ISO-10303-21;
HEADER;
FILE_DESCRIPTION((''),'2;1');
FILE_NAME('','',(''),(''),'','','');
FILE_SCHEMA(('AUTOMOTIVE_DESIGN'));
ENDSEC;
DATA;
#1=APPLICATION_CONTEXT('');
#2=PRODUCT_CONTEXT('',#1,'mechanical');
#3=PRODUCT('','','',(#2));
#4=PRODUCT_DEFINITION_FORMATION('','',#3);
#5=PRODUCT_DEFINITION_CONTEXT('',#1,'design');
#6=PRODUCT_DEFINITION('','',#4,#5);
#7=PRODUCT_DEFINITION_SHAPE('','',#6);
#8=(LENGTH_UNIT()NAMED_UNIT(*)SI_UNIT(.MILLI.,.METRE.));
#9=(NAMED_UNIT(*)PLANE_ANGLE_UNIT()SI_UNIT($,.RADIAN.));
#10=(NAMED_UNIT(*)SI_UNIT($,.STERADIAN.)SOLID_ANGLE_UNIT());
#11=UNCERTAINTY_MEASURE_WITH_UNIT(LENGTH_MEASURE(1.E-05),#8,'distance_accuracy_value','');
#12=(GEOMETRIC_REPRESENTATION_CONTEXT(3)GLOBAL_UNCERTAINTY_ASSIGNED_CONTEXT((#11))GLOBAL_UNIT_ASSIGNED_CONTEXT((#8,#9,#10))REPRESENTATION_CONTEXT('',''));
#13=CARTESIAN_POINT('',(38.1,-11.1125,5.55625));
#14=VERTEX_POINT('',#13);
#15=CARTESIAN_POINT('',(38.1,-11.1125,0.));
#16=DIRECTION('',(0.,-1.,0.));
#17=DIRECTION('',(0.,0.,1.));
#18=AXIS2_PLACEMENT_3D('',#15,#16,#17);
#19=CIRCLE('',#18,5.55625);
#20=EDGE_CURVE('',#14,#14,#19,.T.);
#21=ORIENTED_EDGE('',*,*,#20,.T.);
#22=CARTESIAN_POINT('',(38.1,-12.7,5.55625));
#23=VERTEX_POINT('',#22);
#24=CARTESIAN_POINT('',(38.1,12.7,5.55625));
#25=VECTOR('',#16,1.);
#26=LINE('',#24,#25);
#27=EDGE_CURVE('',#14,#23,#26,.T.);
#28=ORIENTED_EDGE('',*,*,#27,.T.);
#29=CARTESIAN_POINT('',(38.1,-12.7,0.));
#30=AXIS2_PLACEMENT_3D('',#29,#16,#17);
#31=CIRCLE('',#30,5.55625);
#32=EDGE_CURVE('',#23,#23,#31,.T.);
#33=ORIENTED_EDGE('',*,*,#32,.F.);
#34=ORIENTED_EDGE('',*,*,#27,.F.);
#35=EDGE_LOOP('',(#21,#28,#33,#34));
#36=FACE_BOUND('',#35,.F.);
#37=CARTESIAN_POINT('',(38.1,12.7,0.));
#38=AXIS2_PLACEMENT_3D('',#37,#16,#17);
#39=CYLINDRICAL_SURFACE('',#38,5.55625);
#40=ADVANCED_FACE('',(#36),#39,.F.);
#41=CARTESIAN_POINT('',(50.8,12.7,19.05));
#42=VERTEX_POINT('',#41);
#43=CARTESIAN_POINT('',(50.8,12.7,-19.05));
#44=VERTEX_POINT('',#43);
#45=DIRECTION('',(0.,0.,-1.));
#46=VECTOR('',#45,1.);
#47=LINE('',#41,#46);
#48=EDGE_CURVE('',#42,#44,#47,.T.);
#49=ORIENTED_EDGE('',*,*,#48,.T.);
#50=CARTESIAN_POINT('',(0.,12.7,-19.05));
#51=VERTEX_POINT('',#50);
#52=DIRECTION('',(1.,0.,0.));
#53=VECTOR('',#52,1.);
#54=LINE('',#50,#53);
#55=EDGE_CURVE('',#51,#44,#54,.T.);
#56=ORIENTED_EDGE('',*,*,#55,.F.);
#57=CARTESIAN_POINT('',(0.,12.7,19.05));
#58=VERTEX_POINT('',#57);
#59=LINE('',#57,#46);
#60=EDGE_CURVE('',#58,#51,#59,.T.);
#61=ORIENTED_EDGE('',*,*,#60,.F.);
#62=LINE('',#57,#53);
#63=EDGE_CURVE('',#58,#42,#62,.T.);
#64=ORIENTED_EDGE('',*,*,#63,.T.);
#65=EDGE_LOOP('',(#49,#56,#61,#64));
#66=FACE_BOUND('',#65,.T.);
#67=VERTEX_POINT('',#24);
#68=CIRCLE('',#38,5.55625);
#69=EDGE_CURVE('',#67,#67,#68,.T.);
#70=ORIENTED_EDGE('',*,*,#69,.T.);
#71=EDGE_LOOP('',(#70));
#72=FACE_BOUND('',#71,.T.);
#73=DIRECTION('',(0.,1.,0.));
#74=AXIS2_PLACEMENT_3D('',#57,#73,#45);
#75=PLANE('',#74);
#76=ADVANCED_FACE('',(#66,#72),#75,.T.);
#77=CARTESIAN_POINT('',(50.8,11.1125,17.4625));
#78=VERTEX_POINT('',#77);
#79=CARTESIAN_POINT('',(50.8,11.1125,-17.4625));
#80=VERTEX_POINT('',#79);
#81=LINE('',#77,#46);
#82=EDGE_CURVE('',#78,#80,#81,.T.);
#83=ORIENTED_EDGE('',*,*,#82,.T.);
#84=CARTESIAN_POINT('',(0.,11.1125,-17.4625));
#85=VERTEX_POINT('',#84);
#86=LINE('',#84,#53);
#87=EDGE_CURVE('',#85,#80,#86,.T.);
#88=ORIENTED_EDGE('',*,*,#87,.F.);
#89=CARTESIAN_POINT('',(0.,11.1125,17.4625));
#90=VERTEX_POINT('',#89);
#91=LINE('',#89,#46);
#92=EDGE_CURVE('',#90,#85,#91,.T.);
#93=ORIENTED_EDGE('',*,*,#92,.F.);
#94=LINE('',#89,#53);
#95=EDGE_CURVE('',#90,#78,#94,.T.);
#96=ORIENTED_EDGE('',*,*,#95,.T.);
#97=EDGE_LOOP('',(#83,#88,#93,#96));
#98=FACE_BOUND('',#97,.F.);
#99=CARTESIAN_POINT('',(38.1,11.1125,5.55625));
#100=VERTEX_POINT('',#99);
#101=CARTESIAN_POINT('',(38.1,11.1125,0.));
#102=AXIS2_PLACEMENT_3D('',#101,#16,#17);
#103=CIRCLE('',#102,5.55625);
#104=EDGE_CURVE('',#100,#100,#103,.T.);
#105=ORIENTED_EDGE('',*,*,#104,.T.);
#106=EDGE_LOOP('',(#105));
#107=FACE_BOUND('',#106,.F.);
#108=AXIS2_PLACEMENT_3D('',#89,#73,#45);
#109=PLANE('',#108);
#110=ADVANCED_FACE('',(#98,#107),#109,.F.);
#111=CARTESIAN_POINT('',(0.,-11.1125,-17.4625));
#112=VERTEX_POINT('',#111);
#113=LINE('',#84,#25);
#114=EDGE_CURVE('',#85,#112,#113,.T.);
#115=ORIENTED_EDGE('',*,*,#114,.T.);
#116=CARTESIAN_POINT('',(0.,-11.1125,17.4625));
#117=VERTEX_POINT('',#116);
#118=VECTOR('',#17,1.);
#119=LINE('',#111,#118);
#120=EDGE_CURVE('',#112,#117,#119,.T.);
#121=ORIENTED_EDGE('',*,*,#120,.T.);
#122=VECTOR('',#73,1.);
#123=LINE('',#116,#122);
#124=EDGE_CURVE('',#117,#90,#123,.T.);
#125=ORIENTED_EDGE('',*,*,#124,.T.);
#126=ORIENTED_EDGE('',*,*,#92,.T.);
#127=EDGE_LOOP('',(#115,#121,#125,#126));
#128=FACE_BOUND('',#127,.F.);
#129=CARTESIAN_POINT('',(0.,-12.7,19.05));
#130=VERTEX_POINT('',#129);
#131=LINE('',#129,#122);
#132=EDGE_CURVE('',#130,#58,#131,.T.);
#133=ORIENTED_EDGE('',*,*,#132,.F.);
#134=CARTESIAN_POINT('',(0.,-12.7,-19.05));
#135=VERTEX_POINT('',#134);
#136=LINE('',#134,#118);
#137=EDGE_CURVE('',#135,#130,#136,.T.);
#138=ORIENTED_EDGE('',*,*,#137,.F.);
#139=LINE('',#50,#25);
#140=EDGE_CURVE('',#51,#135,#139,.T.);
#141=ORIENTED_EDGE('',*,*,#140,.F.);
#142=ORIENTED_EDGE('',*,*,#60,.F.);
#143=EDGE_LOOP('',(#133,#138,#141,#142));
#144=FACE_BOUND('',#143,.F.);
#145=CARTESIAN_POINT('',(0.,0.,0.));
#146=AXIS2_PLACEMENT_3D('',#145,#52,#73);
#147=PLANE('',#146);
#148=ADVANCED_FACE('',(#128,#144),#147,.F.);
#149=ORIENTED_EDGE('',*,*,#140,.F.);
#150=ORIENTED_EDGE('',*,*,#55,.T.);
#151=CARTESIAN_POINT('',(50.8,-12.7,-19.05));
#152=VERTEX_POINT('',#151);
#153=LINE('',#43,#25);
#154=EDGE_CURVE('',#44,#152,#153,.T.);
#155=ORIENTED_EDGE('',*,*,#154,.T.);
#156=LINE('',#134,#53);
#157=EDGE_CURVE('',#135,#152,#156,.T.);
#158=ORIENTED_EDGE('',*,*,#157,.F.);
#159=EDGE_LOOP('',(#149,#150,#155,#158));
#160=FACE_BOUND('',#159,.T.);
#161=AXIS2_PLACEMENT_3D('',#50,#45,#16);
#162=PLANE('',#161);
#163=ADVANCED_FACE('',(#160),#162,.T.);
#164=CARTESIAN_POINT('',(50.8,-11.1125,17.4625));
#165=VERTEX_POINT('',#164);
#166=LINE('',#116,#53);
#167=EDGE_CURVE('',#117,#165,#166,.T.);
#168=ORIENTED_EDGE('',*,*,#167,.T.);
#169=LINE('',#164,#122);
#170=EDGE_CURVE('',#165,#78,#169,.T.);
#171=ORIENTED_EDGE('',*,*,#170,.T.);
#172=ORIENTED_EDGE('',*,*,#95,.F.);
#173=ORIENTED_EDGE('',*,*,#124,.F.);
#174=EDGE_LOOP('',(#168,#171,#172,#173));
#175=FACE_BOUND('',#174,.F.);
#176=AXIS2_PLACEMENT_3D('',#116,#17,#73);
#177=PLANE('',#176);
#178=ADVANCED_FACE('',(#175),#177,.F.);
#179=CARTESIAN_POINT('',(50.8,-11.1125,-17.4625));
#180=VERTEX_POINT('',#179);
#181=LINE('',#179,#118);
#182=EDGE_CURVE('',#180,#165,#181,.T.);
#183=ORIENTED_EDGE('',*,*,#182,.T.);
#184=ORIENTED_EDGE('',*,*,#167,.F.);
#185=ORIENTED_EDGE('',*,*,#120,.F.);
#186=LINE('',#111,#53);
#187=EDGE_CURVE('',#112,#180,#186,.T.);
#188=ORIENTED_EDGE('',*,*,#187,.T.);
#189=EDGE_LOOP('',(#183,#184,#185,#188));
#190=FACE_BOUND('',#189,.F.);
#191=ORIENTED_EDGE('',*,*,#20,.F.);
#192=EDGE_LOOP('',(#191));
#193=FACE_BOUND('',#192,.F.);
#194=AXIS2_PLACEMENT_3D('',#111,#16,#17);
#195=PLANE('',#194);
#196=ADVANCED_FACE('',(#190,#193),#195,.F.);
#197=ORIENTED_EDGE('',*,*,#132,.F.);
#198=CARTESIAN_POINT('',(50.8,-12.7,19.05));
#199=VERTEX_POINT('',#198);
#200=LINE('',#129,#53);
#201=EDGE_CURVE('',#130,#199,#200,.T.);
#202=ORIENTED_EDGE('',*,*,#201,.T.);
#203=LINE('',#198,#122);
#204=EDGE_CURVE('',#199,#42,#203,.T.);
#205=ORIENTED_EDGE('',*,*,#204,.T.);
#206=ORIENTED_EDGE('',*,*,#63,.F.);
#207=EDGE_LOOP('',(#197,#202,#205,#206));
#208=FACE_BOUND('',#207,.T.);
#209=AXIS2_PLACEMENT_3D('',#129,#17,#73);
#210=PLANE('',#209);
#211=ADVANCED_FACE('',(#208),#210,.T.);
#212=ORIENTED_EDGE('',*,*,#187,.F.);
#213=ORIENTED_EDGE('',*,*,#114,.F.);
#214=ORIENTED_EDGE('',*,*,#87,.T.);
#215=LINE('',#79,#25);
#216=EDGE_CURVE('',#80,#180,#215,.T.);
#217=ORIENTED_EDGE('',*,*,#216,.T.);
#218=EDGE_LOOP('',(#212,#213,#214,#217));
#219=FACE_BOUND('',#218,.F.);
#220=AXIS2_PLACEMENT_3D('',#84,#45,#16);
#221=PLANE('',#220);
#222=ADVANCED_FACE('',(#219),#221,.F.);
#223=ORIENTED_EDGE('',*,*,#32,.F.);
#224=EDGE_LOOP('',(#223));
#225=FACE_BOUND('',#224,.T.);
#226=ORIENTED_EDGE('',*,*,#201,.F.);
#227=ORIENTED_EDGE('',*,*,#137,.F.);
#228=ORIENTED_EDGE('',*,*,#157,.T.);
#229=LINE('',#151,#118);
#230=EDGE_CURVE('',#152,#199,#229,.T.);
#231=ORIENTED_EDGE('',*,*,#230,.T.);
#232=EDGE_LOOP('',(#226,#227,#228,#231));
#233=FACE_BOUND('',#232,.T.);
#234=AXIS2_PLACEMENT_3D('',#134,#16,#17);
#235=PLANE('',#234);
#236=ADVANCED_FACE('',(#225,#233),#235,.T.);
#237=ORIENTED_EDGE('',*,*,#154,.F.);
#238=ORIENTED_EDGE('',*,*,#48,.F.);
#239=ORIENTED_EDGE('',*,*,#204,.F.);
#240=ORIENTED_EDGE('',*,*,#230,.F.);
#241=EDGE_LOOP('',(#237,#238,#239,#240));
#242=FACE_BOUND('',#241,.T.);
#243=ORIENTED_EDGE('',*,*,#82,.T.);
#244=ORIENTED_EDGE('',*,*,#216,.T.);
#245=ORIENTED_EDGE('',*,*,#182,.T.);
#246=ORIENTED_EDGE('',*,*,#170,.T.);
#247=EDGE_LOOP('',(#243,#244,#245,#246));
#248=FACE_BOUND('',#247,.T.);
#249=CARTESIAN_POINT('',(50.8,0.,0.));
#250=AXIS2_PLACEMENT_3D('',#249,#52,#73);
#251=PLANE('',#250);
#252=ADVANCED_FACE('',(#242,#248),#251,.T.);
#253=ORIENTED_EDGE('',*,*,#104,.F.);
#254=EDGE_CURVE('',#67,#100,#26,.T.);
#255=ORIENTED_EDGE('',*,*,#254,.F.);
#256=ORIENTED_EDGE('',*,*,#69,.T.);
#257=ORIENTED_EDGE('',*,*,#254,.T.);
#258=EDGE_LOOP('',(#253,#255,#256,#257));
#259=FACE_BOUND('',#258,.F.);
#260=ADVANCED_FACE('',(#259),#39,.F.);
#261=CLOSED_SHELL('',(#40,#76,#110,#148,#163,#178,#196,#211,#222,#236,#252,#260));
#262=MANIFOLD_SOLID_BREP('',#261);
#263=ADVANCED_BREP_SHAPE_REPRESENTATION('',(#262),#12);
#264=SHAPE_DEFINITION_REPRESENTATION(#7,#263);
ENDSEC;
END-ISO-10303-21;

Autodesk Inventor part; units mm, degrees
ref_plane "Work Plane3" through (0, 12.7, 0) normal (0, 1, 0) x (-1, 0, 0)
ref_plane "Start Plane" through (0, 0, 0) normal (1, 0, 0) x (0, 1, 0)
ref_plane "End Plane" through (50.8, 0, 0) normal (1, 0, 0) x (0, 1, 0)
sketch "Sketch" plane through (0, 0, 0) normal (1, 0, 0) x (0, 1, 0)
  line L0 (-12.7, 19.05) -> (12.7, 19.05)
  line L1 (12.7, 19.05) -> (12.7, -19.05)
  line L2 (12.7, -19.05) -> (-12.7, -19.05)
  line L3 (-12.7, -19.05) -> (-12.7, 19.05)
  line L4 (-12.7, 19.05) -> (12.7, -19.05) construction
  line L5 (12.7, 19.05) -> (-12.7, -19.05) construction
  line L6 (-11.1125, 17.4625) -> (11.1125, 17.4625)
  line L7 (11.1125, 17.4625) -> (11.1125, -17.4625)
  line L8 (11.1125, -17.4625) -> (-11.1125, -17.4625)
  line L9 (-11.1125, -17.4625) -> (-11.1125, 17.4625)
  line L10 (-11.1125, 17.4625) -> (11.1125, -17.4625) construction
  line L11 (11.1125, 17.4625) -> (-11.1125, -17.4625) construction
  point P0 (0, 0)
  dimension "d0" = 38.1
  dimension "d1" = 25.4
  dimension "d2" = 1.5875
  dimension "d3" = 1.5875
extrude "Body" add sketch "Sketch" along normal up to surface (50.8 mm away) from surface at 0
sketch "Sketch8" plane through (0, 0, 0) normal (1, 0, 0) x (0, 1, 0)
  line L0 (0, 0) -> (10, 0)
ref_plane "Work Plane6" through (0, 0, 0) normal (0, 0, -1) x (0, 1, 0)
sketch "Sketch9" plane through (0, 0, 0) normal (0, 0, -1) x (0, 1, 0)
  line L0 (-17.78, 0) -> (17.78, 0)
  line L1 (-17.78, 50.8) -> (17.78, 50.8)
  dimension "d21" = 50.8
sketch "Sketch5" plane through (0, 12.7, -19.05) normal (0, 1, 0) x (1, 0, 0)
  line L0 (0, -38.1) -> (0, 0) projected
  point P0 (0, -19.05)
  point P1 (38.1, -19.05)
  dimension "d22" = 38.1
hole "Hole2" at (38.1, 12.7, 0) direction (0, -1, 0) diameter 11.1125 end through all
equation "\"d3\" = d2"
equation "\"G_OFFSET_START\" = 0"
equation "\"G_OFFSET_END\" = 0"
equation "\"d17\" = d4 + G_OFFSET_END"
equation "\"G_L\" = d21"
equation "\"d4\" = 50.8"
properties part number "1605682955164"
